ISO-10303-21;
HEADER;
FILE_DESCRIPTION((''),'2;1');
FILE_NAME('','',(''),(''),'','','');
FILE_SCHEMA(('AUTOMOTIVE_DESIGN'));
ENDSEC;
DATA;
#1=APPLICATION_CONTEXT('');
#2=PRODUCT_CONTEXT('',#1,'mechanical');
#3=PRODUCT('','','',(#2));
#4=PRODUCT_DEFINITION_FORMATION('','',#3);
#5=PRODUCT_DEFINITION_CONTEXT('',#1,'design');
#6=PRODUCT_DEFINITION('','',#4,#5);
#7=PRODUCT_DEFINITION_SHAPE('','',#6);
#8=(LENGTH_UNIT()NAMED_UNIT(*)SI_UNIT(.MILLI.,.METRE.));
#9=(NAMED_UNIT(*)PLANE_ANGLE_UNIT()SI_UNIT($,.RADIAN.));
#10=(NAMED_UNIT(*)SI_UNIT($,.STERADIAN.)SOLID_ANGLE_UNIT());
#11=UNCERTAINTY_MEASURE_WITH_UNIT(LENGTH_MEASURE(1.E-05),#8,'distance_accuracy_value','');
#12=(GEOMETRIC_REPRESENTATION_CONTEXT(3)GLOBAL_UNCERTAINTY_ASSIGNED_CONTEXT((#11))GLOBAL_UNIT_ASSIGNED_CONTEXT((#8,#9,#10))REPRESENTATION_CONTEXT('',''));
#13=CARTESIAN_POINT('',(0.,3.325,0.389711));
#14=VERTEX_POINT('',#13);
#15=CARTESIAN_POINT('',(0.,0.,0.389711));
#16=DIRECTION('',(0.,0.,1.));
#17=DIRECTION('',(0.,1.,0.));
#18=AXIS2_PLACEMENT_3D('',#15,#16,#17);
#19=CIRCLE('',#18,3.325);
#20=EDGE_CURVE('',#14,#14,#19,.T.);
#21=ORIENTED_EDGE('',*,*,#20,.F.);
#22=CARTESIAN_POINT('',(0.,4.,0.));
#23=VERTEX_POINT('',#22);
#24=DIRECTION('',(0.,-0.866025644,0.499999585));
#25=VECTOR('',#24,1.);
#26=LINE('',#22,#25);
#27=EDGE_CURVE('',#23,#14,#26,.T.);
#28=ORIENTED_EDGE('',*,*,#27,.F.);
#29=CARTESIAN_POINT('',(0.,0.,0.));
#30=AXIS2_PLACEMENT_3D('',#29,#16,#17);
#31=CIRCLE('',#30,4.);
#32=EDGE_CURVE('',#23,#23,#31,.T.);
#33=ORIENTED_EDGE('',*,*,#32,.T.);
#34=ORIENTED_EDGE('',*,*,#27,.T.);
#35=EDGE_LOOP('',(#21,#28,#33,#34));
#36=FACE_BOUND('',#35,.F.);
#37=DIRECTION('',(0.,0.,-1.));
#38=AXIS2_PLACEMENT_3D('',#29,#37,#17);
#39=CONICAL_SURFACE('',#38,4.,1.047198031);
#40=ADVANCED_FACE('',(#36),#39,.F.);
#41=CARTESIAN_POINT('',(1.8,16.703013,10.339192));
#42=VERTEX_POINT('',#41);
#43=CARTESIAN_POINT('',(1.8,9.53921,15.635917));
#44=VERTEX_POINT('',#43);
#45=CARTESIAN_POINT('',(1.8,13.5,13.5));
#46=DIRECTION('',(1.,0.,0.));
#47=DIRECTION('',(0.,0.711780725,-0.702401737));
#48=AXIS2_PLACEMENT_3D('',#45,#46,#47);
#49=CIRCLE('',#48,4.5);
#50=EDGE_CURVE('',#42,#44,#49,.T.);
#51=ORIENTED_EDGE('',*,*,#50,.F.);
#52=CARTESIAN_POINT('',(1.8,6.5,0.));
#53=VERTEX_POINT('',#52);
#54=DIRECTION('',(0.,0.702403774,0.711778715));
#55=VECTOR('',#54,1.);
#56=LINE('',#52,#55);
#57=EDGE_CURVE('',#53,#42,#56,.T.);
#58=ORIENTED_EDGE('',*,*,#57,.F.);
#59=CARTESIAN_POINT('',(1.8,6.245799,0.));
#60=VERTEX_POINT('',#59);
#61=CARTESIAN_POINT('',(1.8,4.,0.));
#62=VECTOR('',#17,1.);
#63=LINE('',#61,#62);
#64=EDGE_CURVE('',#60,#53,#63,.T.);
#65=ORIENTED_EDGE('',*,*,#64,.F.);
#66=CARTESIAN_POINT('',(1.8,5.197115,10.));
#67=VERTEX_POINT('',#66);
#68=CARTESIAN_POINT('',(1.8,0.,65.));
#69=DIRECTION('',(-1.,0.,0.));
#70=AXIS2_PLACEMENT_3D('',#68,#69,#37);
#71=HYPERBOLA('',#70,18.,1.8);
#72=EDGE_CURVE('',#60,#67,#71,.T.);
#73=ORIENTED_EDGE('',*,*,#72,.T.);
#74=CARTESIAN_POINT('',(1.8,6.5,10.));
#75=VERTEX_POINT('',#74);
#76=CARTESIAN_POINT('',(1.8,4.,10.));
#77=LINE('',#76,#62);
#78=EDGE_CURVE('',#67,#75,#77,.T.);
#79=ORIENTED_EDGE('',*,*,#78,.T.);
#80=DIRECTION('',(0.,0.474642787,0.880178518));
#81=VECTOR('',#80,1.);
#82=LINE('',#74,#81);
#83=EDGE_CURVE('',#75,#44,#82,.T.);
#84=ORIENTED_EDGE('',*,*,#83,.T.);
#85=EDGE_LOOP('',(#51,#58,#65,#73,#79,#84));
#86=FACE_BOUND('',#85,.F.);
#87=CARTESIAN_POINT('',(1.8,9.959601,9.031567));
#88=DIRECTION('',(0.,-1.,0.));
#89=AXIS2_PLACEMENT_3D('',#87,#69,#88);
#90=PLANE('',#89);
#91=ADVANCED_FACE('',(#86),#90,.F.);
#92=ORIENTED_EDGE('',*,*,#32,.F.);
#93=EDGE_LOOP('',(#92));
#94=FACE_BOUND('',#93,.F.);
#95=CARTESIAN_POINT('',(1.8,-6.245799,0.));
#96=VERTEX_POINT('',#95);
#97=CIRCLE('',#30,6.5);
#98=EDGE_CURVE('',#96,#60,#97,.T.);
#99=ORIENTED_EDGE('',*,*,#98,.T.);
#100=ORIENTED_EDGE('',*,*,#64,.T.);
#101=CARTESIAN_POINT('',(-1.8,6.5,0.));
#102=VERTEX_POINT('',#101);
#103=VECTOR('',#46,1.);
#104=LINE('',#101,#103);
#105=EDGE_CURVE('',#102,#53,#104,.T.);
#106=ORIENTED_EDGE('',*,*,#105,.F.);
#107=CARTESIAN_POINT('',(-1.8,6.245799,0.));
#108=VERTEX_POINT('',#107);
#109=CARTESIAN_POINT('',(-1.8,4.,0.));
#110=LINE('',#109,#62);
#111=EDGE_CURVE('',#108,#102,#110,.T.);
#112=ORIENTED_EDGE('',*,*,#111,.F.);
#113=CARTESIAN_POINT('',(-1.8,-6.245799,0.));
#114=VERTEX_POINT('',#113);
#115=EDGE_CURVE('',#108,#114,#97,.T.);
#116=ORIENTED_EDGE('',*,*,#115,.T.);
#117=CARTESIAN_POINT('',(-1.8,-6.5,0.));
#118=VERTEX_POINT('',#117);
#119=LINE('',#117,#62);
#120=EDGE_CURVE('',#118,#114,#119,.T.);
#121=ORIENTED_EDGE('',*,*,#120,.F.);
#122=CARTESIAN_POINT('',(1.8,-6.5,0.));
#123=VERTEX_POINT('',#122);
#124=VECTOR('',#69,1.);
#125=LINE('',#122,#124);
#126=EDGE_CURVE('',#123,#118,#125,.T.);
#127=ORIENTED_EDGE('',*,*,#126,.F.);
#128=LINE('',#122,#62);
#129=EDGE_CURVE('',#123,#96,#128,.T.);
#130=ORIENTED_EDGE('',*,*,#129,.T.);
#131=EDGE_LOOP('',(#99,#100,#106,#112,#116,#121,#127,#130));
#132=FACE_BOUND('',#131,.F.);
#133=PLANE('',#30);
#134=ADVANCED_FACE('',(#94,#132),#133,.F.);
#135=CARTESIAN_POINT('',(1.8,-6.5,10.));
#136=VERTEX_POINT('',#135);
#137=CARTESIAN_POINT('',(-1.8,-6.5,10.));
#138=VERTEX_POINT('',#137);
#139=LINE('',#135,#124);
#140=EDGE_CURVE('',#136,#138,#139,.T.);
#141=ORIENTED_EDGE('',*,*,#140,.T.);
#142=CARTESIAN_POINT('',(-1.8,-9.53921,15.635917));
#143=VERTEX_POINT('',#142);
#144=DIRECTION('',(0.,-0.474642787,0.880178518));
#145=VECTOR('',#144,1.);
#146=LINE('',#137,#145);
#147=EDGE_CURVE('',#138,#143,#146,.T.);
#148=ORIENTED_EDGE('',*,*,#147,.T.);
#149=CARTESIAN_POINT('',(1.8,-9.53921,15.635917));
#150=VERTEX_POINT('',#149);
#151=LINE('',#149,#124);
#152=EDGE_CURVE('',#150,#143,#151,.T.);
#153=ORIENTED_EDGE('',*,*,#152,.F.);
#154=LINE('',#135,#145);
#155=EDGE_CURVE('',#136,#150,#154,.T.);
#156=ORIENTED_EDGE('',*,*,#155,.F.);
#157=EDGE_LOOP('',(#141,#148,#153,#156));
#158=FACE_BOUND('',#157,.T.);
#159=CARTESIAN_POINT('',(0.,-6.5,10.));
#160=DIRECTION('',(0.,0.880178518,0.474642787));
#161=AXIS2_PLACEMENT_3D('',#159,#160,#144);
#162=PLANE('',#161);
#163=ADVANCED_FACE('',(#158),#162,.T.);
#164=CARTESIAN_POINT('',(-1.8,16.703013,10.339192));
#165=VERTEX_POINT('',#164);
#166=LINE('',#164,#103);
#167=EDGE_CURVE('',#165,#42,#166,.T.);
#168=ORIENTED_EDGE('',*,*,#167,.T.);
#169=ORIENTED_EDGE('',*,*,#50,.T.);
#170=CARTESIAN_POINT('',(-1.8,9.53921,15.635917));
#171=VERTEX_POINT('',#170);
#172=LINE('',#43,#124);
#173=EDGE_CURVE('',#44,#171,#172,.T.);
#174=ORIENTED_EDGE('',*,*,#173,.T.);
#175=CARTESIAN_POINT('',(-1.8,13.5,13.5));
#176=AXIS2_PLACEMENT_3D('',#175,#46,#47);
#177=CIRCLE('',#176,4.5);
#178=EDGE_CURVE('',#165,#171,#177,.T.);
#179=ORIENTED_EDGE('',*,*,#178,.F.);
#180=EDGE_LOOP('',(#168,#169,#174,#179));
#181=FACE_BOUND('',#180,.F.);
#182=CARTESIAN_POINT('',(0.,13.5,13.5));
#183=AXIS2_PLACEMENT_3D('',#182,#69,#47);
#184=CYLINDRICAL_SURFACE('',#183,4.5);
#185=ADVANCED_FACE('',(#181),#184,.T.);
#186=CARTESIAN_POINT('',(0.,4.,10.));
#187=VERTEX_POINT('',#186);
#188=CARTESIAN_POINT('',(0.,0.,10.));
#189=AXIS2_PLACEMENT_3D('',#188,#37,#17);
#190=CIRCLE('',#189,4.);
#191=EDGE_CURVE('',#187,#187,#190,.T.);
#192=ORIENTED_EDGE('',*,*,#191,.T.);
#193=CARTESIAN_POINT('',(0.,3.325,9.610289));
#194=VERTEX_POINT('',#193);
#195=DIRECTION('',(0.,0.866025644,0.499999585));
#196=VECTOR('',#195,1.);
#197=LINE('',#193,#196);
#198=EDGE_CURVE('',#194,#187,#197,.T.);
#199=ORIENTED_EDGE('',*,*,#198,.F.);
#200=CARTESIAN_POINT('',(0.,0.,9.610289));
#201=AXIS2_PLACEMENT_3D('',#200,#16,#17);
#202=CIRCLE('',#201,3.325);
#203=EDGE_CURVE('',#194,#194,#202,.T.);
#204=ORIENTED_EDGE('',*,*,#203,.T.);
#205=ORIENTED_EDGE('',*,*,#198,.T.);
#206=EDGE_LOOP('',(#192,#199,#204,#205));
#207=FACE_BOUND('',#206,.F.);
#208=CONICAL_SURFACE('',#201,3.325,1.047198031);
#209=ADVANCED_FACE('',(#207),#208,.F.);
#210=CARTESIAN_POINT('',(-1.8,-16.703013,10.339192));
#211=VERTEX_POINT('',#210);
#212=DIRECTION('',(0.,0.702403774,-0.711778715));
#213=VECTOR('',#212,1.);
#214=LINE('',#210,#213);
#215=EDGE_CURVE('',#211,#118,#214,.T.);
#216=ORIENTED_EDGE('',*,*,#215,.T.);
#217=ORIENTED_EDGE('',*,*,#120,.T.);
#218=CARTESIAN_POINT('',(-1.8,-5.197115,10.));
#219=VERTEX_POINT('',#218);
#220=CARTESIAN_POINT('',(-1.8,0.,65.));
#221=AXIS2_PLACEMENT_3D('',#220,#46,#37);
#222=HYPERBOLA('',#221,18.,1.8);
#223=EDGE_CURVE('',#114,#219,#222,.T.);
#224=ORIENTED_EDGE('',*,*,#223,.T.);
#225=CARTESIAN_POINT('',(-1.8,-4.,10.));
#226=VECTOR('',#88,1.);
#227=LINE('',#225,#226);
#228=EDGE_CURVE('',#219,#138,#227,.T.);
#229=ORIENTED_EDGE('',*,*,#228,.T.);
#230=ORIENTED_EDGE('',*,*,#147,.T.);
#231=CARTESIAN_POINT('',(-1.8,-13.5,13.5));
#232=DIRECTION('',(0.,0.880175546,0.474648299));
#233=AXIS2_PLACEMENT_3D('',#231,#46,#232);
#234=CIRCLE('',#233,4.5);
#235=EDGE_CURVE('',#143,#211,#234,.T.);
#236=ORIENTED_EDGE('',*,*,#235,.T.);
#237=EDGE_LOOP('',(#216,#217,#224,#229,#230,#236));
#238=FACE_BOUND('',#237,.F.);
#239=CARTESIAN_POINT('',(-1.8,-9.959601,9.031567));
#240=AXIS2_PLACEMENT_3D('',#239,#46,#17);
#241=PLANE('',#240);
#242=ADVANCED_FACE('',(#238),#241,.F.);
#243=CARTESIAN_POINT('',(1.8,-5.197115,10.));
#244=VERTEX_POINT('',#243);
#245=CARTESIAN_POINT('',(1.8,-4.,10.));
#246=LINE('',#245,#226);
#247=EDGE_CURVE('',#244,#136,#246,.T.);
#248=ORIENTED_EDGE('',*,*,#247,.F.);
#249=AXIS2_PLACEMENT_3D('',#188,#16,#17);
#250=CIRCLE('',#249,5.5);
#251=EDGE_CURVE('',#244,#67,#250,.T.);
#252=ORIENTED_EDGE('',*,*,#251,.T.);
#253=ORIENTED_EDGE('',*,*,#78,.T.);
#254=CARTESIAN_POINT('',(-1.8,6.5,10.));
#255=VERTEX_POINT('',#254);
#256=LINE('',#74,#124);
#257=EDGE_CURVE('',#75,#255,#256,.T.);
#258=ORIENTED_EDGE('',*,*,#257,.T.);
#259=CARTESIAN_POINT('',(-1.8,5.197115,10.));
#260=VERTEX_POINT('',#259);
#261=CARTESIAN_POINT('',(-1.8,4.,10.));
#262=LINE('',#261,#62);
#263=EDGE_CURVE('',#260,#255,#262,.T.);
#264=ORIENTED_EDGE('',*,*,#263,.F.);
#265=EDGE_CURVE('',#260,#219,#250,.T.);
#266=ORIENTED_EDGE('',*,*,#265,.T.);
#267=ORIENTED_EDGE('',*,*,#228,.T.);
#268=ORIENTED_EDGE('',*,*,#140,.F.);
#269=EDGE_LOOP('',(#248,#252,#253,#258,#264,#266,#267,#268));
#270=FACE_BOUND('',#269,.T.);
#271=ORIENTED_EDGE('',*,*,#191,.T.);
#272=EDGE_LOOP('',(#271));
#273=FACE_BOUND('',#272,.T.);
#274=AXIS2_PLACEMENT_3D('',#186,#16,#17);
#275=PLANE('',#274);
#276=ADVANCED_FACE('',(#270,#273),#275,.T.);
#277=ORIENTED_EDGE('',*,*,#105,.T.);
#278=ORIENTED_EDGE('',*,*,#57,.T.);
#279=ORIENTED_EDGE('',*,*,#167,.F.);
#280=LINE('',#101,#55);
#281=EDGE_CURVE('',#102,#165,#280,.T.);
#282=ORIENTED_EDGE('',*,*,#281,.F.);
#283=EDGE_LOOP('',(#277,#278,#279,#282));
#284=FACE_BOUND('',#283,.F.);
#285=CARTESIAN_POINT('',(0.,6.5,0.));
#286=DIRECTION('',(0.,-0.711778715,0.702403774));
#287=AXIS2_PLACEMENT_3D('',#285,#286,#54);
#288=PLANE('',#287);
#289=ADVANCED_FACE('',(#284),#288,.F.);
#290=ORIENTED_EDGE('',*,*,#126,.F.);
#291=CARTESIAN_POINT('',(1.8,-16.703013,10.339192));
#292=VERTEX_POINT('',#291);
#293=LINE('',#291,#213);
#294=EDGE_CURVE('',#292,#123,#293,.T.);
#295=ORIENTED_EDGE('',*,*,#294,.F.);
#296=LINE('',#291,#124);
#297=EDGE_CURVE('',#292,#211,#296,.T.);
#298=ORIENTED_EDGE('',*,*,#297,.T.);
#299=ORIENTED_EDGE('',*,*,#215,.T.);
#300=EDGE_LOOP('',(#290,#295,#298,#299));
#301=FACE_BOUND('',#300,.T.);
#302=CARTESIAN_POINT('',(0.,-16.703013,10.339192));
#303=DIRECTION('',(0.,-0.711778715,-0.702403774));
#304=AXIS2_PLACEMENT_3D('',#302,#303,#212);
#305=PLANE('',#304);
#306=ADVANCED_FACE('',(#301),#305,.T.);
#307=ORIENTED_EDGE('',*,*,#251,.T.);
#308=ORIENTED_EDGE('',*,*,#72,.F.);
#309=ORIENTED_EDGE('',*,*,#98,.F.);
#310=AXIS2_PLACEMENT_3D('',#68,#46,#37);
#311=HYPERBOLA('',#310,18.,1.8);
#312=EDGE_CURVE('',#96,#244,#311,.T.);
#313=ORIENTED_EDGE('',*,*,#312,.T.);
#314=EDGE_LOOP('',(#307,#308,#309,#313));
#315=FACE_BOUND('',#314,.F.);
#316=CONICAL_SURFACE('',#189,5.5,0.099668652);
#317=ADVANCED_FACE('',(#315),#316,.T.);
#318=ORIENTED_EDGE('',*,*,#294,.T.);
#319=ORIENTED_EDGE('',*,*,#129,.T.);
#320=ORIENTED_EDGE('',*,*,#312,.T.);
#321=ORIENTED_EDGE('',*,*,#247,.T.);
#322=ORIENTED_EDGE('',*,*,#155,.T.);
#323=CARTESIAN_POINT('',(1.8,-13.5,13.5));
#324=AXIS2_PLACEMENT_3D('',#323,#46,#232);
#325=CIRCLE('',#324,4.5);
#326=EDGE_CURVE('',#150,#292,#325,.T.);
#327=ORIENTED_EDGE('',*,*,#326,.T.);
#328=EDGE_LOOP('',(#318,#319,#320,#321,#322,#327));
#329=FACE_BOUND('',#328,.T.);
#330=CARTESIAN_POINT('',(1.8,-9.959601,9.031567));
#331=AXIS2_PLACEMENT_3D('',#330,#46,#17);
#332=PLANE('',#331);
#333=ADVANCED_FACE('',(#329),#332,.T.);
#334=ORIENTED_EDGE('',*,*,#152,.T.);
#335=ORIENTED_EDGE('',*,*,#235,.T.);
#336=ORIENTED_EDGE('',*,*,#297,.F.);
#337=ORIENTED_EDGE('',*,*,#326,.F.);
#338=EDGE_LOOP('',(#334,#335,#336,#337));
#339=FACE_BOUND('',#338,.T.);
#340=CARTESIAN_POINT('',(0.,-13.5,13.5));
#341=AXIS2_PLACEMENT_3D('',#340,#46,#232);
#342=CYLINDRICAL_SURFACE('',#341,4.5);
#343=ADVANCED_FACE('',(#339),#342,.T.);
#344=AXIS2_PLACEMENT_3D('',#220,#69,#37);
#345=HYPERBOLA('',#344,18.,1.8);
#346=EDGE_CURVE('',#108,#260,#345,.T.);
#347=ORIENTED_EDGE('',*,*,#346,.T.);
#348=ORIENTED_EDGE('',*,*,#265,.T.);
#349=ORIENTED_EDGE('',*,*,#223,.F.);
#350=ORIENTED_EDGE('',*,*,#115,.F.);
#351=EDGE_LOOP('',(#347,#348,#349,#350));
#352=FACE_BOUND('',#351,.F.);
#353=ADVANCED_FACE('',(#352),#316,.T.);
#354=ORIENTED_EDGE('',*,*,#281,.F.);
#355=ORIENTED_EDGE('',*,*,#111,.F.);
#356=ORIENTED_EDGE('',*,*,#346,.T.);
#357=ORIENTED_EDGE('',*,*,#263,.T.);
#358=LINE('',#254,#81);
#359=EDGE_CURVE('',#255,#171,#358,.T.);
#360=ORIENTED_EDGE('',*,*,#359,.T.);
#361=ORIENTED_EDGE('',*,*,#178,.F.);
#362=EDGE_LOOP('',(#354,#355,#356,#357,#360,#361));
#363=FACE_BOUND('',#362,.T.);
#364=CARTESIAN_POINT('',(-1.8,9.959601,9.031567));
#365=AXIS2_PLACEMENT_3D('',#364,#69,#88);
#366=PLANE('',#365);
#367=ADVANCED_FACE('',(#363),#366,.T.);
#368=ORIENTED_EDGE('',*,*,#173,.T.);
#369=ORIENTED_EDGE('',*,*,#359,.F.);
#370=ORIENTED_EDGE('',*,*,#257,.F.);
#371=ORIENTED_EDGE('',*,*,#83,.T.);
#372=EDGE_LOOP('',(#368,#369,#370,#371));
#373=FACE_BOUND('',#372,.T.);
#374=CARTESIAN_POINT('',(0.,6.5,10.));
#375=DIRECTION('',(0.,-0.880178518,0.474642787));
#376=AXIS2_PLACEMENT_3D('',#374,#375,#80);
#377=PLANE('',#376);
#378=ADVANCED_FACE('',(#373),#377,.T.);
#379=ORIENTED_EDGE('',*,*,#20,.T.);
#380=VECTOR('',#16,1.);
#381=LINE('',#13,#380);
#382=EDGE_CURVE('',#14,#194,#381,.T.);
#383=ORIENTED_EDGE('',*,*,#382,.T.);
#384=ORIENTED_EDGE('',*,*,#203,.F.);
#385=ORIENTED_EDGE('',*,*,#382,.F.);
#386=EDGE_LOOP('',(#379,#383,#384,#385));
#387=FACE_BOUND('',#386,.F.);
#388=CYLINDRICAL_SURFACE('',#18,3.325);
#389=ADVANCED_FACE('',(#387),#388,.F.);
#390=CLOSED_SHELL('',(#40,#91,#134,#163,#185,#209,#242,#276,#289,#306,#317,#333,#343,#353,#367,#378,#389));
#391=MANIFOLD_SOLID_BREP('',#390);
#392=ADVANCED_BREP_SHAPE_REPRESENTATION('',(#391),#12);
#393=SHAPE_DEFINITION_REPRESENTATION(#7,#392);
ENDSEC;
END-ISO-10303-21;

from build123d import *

# Parameters (mm, degrees)
PAD_DEPTH = 1.8


with BuildPart() as pad:
    # Sketch001 → Pad (new body, symmetric)
    with BuildSketch(Plane.YZ):
        with BuildLine():
            Line((4, 0), (4, 10))
            Line((4, 10), (6.5, 10))
            Line((6.5, 10), (9.53921, 15.635917))
            ThreePointArc((16.703013, 10.339192), (16.175328, 17.118372), (9.53921, 15.635917))
            Line((6.5, 0), (16.703013, 10.339192))
            Line((4, 0), (6.5, 0))
        make_face()
        with BuildLine():
            Line((-16.703013, 10.339192), (-6.5, 0))
            Line((-6.5, 0), (-4, 0))
            Line((-4, 0), (-4, 10))
            Line((-4, 10), (-6.5, 10))
            Line((-6.5, 10), (-9.53921, 15.635917))
            ThreePointArc((-9.53921, 15.635917), (-16.175328, 17.118372), (-16.703013, 10.339192))
        make_face()
    extrude(amount=PAD_DEPTH, both=True)


with BuildPart() as fl_gelmutter_din_315_m8:
    # Sketch → Revolution (revolve)
    with BuildSketch(Plane.YZ):
        Polygon((4, 0), (3.325, 0.389711), (3.325, 9.610289), (4, 10), (5.5, 10), (6.5, 0), align=None)
    revolve(axis=Axis((0, 0, 0), (0, 0, 1)))

    # Fusion: union Pad
    add(pad.part)


solid = fl_gelmutter_din_315_m8.part
